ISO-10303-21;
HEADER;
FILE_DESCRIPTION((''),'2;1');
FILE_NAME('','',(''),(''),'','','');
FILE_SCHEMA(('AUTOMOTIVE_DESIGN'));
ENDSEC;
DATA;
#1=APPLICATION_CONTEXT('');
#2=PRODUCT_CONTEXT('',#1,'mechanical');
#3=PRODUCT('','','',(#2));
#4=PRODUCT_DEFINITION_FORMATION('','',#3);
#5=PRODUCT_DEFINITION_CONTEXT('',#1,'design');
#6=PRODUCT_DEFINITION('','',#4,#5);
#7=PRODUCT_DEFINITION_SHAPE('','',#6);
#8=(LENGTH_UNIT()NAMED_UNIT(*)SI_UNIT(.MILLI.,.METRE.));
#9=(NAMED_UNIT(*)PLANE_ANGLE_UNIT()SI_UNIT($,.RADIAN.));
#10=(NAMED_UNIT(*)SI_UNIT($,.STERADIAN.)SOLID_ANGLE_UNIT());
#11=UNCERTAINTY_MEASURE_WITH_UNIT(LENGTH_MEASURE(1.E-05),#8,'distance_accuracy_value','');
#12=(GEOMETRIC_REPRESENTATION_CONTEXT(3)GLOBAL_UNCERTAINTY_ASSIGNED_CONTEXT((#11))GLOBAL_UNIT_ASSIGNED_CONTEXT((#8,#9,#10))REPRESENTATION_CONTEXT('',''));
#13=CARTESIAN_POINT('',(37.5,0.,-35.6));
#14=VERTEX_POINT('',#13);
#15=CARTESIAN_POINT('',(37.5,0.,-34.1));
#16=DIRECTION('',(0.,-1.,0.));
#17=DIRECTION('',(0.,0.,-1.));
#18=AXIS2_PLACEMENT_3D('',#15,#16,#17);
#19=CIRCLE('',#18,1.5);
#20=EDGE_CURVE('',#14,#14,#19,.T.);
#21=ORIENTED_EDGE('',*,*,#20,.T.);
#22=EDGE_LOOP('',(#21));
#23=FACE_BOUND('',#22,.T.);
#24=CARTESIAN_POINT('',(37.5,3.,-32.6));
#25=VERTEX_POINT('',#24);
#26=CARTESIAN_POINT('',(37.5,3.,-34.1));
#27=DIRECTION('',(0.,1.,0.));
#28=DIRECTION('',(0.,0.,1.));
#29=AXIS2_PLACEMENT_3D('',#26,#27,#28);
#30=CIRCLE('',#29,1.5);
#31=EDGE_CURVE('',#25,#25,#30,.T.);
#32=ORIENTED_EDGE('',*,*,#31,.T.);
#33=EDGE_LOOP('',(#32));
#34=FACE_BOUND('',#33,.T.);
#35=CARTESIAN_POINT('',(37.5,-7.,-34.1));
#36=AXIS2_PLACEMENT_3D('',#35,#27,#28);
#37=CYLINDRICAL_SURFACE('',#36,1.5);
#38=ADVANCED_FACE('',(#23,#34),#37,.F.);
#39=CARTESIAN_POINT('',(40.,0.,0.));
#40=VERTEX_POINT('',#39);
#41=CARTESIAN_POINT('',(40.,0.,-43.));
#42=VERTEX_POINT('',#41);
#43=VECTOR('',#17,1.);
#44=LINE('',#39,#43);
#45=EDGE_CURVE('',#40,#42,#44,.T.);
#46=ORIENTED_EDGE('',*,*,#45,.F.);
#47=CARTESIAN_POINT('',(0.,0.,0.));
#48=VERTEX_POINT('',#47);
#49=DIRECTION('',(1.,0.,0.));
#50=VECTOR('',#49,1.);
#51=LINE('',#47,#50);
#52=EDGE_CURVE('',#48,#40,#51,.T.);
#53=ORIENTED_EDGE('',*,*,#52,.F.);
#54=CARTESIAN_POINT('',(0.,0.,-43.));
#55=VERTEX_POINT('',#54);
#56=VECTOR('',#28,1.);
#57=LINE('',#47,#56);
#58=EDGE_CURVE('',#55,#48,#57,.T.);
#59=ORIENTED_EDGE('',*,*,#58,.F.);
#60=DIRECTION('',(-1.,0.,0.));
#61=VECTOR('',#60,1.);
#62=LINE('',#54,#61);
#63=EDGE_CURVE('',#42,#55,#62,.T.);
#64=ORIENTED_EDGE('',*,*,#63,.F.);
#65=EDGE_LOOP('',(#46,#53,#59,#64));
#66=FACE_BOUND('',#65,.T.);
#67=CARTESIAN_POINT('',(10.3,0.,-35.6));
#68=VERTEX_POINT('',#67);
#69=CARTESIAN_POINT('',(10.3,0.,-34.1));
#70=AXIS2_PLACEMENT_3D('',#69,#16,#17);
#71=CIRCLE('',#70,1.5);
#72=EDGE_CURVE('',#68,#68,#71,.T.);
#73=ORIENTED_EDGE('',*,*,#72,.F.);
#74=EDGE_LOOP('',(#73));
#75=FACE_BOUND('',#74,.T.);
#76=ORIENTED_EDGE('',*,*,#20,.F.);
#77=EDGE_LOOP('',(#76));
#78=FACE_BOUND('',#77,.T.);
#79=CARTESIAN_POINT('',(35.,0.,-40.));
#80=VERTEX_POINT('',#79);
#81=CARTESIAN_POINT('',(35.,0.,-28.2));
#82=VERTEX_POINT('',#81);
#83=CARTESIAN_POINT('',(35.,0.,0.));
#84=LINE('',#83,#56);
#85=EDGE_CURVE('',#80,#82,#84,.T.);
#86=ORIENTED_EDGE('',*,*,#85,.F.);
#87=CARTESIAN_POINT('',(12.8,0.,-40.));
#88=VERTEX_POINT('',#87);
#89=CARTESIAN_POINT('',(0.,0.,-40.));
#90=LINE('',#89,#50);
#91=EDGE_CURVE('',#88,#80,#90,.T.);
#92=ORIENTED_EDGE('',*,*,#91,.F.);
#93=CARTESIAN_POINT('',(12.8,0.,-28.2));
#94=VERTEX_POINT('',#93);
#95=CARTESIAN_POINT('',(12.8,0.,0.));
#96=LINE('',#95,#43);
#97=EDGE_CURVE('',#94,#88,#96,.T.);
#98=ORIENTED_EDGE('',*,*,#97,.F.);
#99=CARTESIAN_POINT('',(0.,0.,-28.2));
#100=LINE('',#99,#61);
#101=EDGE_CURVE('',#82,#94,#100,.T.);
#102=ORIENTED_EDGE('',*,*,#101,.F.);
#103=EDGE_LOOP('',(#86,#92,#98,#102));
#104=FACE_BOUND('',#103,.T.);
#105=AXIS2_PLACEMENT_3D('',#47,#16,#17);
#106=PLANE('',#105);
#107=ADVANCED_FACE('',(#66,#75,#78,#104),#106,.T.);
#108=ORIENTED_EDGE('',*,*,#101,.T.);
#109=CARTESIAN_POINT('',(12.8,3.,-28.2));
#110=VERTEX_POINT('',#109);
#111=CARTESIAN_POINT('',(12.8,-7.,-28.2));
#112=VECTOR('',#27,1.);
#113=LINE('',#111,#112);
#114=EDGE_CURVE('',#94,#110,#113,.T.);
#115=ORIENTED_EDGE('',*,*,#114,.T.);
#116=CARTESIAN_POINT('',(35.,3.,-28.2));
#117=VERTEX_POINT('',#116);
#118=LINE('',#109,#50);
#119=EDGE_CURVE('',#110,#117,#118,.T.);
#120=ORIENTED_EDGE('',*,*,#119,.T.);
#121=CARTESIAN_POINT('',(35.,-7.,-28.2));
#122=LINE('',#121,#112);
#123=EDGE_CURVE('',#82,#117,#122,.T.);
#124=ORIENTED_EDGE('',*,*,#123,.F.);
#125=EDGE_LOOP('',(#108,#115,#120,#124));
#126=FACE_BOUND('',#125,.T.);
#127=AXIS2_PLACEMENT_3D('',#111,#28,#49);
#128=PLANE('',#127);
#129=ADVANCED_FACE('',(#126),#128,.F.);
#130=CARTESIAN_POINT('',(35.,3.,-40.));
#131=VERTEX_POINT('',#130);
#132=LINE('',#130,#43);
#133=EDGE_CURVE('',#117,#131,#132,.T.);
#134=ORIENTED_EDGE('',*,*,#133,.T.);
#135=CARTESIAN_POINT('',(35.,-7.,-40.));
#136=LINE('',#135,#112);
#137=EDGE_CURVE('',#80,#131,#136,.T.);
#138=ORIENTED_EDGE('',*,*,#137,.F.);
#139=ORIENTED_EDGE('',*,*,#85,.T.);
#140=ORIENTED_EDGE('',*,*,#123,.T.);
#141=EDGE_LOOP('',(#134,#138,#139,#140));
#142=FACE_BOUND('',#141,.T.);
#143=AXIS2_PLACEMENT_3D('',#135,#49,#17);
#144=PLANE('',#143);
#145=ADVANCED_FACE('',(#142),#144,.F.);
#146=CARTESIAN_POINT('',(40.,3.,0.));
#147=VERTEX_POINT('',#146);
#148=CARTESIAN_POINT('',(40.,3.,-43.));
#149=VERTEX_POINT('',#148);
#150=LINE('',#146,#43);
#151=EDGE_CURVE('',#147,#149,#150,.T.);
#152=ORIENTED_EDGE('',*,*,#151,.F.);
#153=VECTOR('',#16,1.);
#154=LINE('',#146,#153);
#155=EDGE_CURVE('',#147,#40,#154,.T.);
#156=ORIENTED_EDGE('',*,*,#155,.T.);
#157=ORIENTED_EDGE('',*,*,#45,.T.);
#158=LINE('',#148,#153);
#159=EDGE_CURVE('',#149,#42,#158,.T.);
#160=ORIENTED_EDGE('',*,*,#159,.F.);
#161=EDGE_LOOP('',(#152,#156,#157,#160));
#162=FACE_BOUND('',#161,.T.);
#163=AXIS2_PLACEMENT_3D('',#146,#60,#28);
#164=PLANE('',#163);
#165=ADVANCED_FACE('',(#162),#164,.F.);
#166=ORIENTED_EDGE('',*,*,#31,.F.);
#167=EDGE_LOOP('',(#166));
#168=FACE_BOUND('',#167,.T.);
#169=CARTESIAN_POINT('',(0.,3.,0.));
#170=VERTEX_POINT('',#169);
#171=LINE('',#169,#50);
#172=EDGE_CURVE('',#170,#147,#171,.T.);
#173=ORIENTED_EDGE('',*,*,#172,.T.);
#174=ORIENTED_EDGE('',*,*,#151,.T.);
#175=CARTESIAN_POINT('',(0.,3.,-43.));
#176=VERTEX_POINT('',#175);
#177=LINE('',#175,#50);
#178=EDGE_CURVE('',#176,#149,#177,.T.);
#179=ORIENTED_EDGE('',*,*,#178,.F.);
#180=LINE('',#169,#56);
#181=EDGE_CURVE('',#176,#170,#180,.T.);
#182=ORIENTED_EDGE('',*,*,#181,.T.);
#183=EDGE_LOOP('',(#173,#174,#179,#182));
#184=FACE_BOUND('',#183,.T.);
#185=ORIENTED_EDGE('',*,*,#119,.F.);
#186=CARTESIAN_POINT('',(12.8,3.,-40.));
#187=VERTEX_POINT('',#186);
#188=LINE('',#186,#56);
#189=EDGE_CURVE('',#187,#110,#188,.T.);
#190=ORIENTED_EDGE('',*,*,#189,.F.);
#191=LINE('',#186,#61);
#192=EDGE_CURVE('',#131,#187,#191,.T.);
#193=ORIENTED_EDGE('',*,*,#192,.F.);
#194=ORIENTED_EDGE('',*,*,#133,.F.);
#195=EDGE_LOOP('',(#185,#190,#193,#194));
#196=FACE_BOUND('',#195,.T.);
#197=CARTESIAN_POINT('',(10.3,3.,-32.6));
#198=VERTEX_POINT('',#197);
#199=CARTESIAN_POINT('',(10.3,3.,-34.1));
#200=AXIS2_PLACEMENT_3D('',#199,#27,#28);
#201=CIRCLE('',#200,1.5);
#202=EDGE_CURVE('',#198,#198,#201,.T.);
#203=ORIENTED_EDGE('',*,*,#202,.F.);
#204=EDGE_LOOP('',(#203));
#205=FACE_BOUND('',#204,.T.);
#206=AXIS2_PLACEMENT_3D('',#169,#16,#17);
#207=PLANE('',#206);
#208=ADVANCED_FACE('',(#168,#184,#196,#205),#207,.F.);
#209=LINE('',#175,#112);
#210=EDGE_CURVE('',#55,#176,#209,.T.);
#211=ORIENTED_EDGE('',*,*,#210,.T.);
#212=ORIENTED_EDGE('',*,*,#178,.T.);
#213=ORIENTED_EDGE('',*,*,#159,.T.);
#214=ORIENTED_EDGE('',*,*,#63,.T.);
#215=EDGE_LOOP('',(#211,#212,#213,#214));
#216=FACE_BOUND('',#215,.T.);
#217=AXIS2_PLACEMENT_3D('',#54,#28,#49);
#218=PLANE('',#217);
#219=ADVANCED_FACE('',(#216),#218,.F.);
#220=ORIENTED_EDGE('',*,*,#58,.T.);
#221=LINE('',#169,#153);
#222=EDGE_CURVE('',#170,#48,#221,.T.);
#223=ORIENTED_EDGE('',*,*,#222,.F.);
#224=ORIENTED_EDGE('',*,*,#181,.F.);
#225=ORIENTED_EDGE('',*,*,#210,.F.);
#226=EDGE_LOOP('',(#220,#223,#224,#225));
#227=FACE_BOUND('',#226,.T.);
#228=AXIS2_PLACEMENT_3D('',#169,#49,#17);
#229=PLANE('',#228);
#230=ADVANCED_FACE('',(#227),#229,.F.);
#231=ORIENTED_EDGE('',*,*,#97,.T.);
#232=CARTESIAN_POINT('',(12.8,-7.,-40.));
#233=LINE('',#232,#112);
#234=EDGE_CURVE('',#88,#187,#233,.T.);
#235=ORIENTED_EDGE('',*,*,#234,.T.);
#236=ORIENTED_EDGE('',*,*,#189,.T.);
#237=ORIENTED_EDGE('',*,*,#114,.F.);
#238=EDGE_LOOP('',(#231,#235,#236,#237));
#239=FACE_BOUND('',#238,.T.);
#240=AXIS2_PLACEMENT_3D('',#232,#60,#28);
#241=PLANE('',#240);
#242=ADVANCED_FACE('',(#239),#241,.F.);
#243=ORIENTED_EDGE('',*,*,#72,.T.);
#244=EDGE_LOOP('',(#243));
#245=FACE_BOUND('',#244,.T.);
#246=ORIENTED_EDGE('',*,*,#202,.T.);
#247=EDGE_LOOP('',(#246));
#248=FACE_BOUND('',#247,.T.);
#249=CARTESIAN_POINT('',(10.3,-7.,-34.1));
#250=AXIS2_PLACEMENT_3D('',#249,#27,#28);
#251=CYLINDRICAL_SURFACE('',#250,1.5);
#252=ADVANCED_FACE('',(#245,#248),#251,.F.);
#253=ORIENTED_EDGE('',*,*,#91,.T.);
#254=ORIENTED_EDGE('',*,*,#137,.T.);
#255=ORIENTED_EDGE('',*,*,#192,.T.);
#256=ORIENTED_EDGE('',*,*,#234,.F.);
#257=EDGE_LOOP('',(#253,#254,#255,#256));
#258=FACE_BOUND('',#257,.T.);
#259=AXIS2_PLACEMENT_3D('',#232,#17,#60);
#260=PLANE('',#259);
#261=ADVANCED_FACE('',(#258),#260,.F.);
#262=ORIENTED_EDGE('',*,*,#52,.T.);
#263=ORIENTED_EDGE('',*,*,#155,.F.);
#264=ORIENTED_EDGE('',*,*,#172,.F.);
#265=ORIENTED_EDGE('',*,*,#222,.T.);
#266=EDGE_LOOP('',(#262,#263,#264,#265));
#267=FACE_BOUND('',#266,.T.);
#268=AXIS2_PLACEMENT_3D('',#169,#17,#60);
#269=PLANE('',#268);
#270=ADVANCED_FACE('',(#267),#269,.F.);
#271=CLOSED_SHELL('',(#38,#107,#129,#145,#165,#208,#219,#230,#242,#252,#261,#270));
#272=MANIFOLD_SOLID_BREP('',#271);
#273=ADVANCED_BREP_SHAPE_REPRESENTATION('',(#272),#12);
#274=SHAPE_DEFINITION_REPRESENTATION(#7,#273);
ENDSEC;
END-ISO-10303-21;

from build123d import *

# Parameters (mm, degrees)
SKETCH1_W           = 40
SKETCH1_H           = 40
BOSS_EXTRUDE1_DEPTH = 3
SKETCH2_W           = 40
SKETCH2_H           = 3
BOSS_EXTRUDE2_DEPTH = 3
SKETCH3_W           = 22.2
SKETCH3_H           = 11.8
CUT_EXTRUDE1_DEPTH  = 10
SKETCH4_R           = 1.5
CUT_EXTRUDE2_DEPTH  = 10


with BuildPart() as part:
    # Sketch1 → Boss-Extrude1 (new body)
    with BuildSketch(Plane(origin=(0, 0, 0), x_dir=(1, 0, 0), z_dir=(0, 1, 0))):
        with Locations((20, 20)):
            Rectangle(SKETCH1_W, SKETCH1_H)
    extrude(amount=BOSS_EXTRUDE1_DEPTH)

    # Sketch2 → Boss-Extrude2 (add)
    with BuildSketch(Plane(origin=(0, 0, -40), x_dir=(-1, 0, 0), z_dir=(0, 0, -1))):
        with Locations((-20, 1.5)):
            Rectangle(SKETCH2_W, SKETCH2_H)
    extrude(amount=BOSS_EXTRUDE2_DEPTH)

    # Sketch3 → Cut-Extrude1 (cut)
    with BuildSketch(Plane(origin=(0, 3, 0), x_dir=(1, 0, 0), z_dir=(0, 1, 0))):
        with Locations((23.9, 34.1)):
            Rectangle(SKETCH3_W, SKETCH3_H)
    extrude(amount=-CUT_EXTRUDE1_DEPTH, mode=Mode.SUBTRACT)

    # Sketch4 → Cut-Extrude2 (cut)
    with BuildSketch(Plane(origin=(0, 3, 0), x_dir=(1, 0, 0), z_dir=(0, 1, 0))):
        with Locations(Location((10.3, 34.1, 0), (0, 0, 270))):
            Circle(SKETCH4_R)
        with Locations(Location((37.5, 34.1, 0), (0, 0, 270))):
            Circle(SKETCH4_R)
    extrude(amount=-CUT_EXTRUDE2_DEPTH, mode=Mode.SUBTRACT)


solid = part.part
